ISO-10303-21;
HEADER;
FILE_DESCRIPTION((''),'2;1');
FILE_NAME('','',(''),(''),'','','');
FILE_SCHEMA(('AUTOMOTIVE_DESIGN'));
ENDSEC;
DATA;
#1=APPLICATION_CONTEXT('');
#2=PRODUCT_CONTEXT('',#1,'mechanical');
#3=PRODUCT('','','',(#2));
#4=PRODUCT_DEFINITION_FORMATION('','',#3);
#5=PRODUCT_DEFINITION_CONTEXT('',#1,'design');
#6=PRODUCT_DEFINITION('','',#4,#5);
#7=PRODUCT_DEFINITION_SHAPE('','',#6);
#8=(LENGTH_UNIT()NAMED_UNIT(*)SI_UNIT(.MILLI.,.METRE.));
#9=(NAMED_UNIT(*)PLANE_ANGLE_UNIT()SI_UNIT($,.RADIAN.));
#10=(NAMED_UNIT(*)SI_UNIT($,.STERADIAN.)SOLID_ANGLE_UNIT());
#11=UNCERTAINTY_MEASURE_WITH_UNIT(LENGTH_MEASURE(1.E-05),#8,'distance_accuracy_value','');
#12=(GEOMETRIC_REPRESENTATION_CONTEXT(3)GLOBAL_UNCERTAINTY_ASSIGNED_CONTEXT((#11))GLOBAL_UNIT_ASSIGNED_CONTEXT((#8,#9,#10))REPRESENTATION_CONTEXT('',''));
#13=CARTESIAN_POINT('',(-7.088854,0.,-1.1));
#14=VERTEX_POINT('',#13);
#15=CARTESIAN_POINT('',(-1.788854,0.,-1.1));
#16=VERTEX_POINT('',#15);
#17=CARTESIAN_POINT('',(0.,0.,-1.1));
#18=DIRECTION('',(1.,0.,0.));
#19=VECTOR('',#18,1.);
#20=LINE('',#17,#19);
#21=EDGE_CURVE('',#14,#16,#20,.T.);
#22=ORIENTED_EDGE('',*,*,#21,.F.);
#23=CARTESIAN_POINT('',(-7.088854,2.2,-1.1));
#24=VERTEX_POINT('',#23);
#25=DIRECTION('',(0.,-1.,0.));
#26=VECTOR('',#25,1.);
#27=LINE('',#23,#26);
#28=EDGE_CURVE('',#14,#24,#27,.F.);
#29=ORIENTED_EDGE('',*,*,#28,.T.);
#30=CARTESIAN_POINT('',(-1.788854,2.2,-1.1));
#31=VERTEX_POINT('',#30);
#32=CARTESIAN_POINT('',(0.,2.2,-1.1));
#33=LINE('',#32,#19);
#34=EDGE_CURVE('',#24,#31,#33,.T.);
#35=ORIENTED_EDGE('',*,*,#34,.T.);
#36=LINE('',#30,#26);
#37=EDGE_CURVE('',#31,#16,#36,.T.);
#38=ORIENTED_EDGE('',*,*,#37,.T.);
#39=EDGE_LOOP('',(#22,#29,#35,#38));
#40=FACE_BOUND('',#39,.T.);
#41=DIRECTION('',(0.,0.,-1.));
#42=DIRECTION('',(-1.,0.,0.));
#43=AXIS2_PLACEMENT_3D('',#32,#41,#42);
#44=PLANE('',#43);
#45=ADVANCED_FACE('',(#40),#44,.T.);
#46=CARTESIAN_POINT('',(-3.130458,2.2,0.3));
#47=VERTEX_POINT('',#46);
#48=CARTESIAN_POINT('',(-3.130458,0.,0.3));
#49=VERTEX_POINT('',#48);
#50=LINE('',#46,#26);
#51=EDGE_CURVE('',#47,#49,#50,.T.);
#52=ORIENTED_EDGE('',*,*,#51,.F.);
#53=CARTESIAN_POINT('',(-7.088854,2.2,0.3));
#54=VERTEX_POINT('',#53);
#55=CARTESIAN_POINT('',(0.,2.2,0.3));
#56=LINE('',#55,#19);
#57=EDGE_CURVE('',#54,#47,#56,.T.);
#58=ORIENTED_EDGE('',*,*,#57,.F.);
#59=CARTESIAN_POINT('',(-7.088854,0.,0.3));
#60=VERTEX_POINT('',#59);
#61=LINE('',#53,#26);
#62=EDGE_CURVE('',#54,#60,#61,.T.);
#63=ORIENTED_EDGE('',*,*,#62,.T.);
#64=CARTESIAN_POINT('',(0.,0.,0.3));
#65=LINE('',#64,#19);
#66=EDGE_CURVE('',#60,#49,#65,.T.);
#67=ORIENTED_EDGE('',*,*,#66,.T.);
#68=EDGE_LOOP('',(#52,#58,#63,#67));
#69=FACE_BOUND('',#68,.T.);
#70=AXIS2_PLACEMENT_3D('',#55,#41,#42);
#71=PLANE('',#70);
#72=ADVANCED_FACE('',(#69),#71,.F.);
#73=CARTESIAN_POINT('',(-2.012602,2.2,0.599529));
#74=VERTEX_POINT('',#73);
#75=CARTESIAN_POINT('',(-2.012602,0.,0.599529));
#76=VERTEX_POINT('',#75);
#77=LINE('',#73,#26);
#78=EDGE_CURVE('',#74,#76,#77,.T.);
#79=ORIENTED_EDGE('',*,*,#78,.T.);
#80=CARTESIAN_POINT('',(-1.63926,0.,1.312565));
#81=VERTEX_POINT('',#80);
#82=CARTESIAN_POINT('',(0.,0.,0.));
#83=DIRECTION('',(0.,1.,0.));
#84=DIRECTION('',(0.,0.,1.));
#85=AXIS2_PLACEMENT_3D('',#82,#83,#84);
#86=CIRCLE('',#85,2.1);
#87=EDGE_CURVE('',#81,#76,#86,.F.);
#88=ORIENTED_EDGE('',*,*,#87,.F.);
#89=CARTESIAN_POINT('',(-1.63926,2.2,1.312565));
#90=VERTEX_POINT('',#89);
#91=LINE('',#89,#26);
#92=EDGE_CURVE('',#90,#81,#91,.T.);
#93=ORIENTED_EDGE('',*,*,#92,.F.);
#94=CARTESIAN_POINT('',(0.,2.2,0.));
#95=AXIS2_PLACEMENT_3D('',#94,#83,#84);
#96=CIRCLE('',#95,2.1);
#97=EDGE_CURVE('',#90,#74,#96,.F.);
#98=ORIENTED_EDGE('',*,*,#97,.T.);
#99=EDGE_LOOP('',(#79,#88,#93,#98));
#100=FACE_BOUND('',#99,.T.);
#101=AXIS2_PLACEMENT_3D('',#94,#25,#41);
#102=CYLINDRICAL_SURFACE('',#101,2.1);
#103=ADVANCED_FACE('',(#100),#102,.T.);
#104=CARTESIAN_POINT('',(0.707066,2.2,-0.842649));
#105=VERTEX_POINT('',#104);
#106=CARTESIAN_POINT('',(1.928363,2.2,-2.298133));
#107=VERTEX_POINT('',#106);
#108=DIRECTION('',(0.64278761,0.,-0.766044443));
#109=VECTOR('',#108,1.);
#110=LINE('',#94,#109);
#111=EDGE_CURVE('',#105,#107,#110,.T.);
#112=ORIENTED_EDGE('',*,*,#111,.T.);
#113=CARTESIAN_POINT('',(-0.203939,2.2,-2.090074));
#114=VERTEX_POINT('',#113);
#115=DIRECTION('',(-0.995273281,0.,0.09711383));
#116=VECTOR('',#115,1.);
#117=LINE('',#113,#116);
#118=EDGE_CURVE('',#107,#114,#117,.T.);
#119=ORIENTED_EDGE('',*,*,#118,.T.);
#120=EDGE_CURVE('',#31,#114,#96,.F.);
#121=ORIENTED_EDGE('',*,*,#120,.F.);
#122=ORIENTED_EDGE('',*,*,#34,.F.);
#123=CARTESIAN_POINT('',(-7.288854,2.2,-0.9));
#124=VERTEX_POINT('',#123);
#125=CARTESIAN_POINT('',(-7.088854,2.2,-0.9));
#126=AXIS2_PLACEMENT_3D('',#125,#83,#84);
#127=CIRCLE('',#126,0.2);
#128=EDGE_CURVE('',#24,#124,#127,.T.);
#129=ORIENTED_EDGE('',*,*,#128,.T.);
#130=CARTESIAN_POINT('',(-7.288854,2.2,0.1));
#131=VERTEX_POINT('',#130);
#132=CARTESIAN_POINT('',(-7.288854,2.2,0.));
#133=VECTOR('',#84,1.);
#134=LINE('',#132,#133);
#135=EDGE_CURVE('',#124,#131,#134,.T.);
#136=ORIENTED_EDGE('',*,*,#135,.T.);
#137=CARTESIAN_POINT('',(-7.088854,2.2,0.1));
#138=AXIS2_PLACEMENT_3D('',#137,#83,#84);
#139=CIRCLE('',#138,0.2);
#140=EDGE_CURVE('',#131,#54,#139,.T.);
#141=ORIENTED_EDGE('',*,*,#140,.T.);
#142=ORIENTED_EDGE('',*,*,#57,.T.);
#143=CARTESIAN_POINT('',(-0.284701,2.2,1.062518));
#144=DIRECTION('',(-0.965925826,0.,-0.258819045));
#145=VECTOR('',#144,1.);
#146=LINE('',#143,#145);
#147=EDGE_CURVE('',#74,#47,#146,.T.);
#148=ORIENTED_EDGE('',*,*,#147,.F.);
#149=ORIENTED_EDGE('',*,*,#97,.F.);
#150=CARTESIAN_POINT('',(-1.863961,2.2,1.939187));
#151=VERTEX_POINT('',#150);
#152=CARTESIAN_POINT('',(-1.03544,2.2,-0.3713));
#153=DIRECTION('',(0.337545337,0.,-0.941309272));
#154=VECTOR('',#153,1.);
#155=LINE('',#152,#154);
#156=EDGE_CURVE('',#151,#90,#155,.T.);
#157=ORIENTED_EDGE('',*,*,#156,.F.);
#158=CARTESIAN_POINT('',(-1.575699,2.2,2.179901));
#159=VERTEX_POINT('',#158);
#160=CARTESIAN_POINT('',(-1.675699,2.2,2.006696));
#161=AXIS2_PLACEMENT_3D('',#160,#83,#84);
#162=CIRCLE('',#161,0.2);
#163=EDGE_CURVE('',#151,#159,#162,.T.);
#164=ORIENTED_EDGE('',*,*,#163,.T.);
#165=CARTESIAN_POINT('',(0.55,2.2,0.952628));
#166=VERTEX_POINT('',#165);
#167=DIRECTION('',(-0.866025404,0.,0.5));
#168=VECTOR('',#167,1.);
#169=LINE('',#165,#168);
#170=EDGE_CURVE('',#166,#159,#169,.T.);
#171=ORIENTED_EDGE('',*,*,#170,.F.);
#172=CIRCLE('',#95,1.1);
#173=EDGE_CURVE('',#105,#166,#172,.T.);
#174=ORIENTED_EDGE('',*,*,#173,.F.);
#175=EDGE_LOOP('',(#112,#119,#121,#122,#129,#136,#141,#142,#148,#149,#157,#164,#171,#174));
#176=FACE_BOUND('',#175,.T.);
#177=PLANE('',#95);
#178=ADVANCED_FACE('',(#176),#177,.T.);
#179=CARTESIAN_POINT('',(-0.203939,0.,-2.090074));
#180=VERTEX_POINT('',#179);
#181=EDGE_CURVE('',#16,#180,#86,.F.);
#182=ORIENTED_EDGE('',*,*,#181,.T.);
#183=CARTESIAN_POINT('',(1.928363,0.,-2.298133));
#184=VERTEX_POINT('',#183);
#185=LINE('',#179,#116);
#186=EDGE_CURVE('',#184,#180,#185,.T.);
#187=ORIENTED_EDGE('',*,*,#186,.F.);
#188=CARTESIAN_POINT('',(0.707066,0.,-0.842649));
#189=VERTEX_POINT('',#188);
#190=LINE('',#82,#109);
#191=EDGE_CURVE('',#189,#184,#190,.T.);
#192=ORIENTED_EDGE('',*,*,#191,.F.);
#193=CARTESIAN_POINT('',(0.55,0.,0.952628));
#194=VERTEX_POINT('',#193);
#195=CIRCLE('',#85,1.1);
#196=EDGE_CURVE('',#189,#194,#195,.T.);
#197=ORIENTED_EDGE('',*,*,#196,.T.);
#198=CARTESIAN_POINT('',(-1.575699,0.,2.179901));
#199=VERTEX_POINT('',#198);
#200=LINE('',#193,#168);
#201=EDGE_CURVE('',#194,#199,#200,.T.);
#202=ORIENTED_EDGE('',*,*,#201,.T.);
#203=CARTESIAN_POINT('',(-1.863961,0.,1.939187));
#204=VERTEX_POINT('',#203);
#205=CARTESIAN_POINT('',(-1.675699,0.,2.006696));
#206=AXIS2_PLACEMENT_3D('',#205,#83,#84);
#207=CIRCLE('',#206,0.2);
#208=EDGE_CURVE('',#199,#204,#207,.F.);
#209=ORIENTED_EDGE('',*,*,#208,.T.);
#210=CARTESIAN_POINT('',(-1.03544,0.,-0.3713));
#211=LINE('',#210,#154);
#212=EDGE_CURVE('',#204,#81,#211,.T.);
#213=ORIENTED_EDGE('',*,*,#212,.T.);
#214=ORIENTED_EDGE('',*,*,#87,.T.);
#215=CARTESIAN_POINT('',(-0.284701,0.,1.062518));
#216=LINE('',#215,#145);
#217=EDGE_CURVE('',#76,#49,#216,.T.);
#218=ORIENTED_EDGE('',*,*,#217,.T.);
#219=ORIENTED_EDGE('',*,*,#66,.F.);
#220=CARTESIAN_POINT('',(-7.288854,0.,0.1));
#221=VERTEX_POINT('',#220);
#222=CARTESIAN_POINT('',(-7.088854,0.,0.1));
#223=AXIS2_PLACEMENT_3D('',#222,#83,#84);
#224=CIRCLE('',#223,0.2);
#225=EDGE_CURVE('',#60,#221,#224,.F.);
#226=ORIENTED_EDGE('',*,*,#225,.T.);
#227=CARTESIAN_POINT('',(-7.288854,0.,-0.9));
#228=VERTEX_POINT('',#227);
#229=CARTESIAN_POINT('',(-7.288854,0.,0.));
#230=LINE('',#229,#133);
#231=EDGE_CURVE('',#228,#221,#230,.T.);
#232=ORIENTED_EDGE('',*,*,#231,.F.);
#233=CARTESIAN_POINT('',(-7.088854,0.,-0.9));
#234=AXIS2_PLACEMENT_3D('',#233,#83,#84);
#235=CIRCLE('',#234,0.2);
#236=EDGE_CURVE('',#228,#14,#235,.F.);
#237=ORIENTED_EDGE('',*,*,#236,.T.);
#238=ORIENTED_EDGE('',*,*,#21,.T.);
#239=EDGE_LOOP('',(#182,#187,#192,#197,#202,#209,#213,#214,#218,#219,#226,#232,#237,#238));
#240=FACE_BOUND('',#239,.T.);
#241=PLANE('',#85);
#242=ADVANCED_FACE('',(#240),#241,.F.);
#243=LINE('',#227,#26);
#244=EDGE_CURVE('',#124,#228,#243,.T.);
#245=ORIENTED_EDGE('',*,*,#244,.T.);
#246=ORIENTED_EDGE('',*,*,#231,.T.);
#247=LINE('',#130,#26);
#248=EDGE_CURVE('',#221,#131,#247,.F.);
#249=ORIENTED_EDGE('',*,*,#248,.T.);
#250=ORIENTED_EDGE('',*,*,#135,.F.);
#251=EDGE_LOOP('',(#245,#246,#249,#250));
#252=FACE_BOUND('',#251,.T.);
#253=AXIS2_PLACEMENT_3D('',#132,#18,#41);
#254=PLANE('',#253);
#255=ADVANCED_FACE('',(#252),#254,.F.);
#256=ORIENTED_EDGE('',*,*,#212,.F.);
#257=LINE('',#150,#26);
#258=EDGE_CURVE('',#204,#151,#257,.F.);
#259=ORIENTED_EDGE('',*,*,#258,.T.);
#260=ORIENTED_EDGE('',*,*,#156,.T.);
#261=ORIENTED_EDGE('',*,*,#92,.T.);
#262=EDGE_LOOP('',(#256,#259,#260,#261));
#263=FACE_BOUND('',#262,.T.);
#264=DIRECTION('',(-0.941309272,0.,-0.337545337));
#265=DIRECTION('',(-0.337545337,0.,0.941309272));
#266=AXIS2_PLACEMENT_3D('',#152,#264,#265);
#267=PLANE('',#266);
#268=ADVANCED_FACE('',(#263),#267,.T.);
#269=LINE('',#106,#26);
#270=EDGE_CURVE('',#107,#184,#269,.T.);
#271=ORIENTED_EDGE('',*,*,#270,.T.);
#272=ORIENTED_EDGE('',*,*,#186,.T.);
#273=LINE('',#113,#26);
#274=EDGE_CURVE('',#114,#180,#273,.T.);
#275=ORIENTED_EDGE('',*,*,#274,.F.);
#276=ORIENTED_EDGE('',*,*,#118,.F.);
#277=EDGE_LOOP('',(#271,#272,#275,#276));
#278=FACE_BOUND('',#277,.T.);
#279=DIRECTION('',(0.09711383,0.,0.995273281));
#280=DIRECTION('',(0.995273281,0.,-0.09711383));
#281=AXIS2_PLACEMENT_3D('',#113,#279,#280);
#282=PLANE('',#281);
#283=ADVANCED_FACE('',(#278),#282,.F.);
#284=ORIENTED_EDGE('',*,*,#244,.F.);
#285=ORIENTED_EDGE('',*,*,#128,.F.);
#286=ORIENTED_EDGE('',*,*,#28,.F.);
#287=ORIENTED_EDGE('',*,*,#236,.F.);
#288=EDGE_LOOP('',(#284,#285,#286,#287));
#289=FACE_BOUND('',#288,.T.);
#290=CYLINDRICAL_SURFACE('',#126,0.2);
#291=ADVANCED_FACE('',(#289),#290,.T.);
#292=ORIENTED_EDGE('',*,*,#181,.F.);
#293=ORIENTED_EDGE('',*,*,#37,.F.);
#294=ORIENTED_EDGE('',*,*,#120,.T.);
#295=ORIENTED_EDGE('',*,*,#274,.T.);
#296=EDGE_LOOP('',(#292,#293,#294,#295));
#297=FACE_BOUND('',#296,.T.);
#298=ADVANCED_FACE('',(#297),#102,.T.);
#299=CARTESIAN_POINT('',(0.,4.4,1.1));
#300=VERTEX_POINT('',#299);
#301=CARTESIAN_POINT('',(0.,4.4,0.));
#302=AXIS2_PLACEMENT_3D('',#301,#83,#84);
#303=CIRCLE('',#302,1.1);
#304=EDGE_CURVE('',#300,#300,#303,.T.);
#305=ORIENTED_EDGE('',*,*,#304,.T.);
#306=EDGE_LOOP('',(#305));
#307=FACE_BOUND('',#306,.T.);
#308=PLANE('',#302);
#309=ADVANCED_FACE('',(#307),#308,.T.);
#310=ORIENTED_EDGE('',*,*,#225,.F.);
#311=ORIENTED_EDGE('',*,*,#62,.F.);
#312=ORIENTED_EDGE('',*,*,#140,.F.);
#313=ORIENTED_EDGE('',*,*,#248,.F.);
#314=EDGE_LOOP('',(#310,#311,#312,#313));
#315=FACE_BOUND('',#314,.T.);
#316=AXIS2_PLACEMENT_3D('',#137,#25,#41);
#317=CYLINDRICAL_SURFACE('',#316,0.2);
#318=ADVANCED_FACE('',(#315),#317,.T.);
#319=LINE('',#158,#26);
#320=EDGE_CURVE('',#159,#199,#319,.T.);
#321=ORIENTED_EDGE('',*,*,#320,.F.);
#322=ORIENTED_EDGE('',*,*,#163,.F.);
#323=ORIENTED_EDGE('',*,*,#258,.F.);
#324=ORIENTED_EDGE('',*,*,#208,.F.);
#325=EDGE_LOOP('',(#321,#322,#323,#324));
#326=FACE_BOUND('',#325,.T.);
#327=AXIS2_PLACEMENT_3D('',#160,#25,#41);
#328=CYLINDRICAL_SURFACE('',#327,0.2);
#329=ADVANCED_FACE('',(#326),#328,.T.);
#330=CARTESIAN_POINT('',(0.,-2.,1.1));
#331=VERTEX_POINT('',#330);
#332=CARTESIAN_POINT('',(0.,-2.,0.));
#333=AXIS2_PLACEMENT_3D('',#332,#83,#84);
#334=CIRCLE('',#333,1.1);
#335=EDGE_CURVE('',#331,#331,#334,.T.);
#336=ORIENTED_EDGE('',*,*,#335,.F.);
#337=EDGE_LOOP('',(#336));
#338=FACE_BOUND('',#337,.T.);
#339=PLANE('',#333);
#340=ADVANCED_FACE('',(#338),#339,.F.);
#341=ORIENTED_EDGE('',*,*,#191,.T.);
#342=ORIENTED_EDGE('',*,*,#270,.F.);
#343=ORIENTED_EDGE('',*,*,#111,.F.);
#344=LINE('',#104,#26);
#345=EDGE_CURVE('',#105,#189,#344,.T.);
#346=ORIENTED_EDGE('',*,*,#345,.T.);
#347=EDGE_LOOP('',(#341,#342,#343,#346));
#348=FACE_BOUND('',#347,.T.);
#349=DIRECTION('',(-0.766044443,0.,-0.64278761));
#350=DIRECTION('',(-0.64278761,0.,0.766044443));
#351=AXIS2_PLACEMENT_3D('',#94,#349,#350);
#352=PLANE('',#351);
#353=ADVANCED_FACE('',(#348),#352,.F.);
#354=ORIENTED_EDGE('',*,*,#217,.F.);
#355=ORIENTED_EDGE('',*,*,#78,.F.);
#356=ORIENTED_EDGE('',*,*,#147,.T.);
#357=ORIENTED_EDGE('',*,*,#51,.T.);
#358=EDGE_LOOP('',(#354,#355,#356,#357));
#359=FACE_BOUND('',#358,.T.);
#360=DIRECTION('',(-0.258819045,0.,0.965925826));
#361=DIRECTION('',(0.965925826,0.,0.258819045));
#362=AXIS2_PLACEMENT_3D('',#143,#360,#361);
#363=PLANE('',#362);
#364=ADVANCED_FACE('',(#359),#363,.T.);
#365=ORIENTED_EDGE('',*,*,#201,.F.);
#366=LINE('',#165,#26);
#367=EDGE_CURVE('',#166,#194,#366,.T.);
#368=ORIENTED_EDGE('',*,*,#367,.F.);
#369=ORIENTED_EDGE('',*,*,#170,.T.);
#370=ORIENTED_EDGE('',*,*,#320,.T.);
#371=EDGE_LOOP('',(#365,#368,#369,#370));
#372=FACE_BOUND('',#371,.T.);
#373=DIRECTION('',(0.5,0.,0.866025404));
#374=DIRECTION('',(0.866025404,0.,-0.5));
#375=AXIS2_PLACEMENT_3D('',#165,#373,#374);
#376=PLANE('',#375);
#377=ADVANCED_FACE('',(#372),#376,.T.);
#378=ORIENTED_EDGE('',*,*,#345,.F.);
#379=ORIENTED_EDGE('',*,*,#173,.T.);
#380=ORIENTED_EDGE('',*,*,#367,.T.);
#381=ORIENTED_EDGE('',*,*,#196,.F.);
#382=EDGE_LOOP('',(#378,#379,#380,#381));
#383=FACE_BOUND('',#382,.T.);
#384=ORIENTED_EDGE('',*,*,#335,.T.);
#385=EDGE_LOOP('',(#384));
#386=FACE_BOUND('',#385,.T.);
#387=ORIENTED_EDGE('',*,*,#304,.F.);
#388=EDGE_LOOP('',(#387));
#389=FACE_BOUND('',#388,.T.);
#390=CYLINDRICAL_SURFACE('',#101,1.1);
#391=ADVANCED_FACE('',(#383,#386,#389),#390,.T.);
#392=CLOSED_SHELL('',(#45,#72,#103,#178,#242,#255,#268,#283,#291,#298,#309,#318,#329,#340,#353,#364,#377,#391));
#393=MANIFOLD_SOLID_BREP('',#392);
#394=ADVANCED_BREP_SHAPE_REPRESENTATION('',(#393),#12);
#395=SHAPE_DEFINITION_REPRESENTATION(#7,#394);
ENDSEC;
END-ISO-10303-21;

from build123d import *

# Parameters (mm, degrees)
BOSS_EXTRUDE1_DEPTH      = 2.2
BOSS_EXTRUDE2_DEPTH      = 4.4
BOSS_EXTRUDE2_DEPTH_BACK = 2
FILLET1_R                = 0.2


with BuildPart() as part:
    # Sketch1 → Boss-Extrude1 (new body)
    with BuildSketch(Plane(origin=(0, 0, 0), x_dir=(1, 0, 0), z_dir=(0, 1, 0))):
        with BuildLine():
            Line((-1.788854382, 1.1), (-7.288854382, 1.1))
            Line((-7.288854382, 1.1), (-7.288854382, -0.3))
            Line((-7.288854382, -0.3), (-3.130458393, -0.3))
            Line((-3.130458393, -0.3), (-2.012601597, -0.599528826))
            ThreePointArc((-2.012601597, -0.599528826), (-1.860410686, -0.974100652), (-1.639259655, -1.312565344))
            Line((-1.639259655, -1.312565344), (-2.048076211, -2.452627944))
            Line((-2.048076211, -2.452627944), (0.55, -0.952627944))
            ThreePointArc((0.55, -0.952627944), (1.095814168, -0.095871317), (0.707066371, 0.842648887))
            Line((0.707066371, 0.842648887), (1.928362829, 2.298133329))
            Line((1.928362829, 2.298133329), (-0.203939042, 2.09007389))
            ThreePointArc((-0.203939042, 2.09007389), (-1.112595158, 1.78104801), (-1.788854382, 1.1))
        make_face()
    extrude(amount=BOSS_EXTRUDE1_DEPTH)

    # Sketch1<3> → Boss-Extrude2 (add, two sides: drawn at the far end of the back side and taken through both)
    with BuildSketch(Plane(origin=(0, 0, 0), x_dir=(1, 0, 0), z_dir=(0, 1, 0)).offset(-BOSS_EXTRUDE2_DEPTH_BACK)):
        with BuildLine():
            ThreePointArc((1.1, 0), (0.996938566, 0.464880088), (0.707066371, 0.842648887))
            ThreePointArc((0.707066371, 0.842648887), (-1.095814168, 0.095871317), (0.55, -0.952627944))
            ThreePointArc((0.55, -0.952627944), (0.952627944, -0.55), (1.1, 0))
        make_face()
    extrude(amount=BOSS_EXTRUDE2_DEPTH + BOSS_EXTRUDE2_DEPTH_BACK)

    # Fillet1
    fillet1_edges = [part.edges().sort_by_distance(p)[0] for p in [
        (-2.048076211, 1.1, 2.452627944),
        (-7.288854382, 1.1, 0.3),
        (-7.288854382, 1.1, -1.1),
    ]]
    fillet(fillet1_edges, radius=FILLET1_R)


solid = part.part
